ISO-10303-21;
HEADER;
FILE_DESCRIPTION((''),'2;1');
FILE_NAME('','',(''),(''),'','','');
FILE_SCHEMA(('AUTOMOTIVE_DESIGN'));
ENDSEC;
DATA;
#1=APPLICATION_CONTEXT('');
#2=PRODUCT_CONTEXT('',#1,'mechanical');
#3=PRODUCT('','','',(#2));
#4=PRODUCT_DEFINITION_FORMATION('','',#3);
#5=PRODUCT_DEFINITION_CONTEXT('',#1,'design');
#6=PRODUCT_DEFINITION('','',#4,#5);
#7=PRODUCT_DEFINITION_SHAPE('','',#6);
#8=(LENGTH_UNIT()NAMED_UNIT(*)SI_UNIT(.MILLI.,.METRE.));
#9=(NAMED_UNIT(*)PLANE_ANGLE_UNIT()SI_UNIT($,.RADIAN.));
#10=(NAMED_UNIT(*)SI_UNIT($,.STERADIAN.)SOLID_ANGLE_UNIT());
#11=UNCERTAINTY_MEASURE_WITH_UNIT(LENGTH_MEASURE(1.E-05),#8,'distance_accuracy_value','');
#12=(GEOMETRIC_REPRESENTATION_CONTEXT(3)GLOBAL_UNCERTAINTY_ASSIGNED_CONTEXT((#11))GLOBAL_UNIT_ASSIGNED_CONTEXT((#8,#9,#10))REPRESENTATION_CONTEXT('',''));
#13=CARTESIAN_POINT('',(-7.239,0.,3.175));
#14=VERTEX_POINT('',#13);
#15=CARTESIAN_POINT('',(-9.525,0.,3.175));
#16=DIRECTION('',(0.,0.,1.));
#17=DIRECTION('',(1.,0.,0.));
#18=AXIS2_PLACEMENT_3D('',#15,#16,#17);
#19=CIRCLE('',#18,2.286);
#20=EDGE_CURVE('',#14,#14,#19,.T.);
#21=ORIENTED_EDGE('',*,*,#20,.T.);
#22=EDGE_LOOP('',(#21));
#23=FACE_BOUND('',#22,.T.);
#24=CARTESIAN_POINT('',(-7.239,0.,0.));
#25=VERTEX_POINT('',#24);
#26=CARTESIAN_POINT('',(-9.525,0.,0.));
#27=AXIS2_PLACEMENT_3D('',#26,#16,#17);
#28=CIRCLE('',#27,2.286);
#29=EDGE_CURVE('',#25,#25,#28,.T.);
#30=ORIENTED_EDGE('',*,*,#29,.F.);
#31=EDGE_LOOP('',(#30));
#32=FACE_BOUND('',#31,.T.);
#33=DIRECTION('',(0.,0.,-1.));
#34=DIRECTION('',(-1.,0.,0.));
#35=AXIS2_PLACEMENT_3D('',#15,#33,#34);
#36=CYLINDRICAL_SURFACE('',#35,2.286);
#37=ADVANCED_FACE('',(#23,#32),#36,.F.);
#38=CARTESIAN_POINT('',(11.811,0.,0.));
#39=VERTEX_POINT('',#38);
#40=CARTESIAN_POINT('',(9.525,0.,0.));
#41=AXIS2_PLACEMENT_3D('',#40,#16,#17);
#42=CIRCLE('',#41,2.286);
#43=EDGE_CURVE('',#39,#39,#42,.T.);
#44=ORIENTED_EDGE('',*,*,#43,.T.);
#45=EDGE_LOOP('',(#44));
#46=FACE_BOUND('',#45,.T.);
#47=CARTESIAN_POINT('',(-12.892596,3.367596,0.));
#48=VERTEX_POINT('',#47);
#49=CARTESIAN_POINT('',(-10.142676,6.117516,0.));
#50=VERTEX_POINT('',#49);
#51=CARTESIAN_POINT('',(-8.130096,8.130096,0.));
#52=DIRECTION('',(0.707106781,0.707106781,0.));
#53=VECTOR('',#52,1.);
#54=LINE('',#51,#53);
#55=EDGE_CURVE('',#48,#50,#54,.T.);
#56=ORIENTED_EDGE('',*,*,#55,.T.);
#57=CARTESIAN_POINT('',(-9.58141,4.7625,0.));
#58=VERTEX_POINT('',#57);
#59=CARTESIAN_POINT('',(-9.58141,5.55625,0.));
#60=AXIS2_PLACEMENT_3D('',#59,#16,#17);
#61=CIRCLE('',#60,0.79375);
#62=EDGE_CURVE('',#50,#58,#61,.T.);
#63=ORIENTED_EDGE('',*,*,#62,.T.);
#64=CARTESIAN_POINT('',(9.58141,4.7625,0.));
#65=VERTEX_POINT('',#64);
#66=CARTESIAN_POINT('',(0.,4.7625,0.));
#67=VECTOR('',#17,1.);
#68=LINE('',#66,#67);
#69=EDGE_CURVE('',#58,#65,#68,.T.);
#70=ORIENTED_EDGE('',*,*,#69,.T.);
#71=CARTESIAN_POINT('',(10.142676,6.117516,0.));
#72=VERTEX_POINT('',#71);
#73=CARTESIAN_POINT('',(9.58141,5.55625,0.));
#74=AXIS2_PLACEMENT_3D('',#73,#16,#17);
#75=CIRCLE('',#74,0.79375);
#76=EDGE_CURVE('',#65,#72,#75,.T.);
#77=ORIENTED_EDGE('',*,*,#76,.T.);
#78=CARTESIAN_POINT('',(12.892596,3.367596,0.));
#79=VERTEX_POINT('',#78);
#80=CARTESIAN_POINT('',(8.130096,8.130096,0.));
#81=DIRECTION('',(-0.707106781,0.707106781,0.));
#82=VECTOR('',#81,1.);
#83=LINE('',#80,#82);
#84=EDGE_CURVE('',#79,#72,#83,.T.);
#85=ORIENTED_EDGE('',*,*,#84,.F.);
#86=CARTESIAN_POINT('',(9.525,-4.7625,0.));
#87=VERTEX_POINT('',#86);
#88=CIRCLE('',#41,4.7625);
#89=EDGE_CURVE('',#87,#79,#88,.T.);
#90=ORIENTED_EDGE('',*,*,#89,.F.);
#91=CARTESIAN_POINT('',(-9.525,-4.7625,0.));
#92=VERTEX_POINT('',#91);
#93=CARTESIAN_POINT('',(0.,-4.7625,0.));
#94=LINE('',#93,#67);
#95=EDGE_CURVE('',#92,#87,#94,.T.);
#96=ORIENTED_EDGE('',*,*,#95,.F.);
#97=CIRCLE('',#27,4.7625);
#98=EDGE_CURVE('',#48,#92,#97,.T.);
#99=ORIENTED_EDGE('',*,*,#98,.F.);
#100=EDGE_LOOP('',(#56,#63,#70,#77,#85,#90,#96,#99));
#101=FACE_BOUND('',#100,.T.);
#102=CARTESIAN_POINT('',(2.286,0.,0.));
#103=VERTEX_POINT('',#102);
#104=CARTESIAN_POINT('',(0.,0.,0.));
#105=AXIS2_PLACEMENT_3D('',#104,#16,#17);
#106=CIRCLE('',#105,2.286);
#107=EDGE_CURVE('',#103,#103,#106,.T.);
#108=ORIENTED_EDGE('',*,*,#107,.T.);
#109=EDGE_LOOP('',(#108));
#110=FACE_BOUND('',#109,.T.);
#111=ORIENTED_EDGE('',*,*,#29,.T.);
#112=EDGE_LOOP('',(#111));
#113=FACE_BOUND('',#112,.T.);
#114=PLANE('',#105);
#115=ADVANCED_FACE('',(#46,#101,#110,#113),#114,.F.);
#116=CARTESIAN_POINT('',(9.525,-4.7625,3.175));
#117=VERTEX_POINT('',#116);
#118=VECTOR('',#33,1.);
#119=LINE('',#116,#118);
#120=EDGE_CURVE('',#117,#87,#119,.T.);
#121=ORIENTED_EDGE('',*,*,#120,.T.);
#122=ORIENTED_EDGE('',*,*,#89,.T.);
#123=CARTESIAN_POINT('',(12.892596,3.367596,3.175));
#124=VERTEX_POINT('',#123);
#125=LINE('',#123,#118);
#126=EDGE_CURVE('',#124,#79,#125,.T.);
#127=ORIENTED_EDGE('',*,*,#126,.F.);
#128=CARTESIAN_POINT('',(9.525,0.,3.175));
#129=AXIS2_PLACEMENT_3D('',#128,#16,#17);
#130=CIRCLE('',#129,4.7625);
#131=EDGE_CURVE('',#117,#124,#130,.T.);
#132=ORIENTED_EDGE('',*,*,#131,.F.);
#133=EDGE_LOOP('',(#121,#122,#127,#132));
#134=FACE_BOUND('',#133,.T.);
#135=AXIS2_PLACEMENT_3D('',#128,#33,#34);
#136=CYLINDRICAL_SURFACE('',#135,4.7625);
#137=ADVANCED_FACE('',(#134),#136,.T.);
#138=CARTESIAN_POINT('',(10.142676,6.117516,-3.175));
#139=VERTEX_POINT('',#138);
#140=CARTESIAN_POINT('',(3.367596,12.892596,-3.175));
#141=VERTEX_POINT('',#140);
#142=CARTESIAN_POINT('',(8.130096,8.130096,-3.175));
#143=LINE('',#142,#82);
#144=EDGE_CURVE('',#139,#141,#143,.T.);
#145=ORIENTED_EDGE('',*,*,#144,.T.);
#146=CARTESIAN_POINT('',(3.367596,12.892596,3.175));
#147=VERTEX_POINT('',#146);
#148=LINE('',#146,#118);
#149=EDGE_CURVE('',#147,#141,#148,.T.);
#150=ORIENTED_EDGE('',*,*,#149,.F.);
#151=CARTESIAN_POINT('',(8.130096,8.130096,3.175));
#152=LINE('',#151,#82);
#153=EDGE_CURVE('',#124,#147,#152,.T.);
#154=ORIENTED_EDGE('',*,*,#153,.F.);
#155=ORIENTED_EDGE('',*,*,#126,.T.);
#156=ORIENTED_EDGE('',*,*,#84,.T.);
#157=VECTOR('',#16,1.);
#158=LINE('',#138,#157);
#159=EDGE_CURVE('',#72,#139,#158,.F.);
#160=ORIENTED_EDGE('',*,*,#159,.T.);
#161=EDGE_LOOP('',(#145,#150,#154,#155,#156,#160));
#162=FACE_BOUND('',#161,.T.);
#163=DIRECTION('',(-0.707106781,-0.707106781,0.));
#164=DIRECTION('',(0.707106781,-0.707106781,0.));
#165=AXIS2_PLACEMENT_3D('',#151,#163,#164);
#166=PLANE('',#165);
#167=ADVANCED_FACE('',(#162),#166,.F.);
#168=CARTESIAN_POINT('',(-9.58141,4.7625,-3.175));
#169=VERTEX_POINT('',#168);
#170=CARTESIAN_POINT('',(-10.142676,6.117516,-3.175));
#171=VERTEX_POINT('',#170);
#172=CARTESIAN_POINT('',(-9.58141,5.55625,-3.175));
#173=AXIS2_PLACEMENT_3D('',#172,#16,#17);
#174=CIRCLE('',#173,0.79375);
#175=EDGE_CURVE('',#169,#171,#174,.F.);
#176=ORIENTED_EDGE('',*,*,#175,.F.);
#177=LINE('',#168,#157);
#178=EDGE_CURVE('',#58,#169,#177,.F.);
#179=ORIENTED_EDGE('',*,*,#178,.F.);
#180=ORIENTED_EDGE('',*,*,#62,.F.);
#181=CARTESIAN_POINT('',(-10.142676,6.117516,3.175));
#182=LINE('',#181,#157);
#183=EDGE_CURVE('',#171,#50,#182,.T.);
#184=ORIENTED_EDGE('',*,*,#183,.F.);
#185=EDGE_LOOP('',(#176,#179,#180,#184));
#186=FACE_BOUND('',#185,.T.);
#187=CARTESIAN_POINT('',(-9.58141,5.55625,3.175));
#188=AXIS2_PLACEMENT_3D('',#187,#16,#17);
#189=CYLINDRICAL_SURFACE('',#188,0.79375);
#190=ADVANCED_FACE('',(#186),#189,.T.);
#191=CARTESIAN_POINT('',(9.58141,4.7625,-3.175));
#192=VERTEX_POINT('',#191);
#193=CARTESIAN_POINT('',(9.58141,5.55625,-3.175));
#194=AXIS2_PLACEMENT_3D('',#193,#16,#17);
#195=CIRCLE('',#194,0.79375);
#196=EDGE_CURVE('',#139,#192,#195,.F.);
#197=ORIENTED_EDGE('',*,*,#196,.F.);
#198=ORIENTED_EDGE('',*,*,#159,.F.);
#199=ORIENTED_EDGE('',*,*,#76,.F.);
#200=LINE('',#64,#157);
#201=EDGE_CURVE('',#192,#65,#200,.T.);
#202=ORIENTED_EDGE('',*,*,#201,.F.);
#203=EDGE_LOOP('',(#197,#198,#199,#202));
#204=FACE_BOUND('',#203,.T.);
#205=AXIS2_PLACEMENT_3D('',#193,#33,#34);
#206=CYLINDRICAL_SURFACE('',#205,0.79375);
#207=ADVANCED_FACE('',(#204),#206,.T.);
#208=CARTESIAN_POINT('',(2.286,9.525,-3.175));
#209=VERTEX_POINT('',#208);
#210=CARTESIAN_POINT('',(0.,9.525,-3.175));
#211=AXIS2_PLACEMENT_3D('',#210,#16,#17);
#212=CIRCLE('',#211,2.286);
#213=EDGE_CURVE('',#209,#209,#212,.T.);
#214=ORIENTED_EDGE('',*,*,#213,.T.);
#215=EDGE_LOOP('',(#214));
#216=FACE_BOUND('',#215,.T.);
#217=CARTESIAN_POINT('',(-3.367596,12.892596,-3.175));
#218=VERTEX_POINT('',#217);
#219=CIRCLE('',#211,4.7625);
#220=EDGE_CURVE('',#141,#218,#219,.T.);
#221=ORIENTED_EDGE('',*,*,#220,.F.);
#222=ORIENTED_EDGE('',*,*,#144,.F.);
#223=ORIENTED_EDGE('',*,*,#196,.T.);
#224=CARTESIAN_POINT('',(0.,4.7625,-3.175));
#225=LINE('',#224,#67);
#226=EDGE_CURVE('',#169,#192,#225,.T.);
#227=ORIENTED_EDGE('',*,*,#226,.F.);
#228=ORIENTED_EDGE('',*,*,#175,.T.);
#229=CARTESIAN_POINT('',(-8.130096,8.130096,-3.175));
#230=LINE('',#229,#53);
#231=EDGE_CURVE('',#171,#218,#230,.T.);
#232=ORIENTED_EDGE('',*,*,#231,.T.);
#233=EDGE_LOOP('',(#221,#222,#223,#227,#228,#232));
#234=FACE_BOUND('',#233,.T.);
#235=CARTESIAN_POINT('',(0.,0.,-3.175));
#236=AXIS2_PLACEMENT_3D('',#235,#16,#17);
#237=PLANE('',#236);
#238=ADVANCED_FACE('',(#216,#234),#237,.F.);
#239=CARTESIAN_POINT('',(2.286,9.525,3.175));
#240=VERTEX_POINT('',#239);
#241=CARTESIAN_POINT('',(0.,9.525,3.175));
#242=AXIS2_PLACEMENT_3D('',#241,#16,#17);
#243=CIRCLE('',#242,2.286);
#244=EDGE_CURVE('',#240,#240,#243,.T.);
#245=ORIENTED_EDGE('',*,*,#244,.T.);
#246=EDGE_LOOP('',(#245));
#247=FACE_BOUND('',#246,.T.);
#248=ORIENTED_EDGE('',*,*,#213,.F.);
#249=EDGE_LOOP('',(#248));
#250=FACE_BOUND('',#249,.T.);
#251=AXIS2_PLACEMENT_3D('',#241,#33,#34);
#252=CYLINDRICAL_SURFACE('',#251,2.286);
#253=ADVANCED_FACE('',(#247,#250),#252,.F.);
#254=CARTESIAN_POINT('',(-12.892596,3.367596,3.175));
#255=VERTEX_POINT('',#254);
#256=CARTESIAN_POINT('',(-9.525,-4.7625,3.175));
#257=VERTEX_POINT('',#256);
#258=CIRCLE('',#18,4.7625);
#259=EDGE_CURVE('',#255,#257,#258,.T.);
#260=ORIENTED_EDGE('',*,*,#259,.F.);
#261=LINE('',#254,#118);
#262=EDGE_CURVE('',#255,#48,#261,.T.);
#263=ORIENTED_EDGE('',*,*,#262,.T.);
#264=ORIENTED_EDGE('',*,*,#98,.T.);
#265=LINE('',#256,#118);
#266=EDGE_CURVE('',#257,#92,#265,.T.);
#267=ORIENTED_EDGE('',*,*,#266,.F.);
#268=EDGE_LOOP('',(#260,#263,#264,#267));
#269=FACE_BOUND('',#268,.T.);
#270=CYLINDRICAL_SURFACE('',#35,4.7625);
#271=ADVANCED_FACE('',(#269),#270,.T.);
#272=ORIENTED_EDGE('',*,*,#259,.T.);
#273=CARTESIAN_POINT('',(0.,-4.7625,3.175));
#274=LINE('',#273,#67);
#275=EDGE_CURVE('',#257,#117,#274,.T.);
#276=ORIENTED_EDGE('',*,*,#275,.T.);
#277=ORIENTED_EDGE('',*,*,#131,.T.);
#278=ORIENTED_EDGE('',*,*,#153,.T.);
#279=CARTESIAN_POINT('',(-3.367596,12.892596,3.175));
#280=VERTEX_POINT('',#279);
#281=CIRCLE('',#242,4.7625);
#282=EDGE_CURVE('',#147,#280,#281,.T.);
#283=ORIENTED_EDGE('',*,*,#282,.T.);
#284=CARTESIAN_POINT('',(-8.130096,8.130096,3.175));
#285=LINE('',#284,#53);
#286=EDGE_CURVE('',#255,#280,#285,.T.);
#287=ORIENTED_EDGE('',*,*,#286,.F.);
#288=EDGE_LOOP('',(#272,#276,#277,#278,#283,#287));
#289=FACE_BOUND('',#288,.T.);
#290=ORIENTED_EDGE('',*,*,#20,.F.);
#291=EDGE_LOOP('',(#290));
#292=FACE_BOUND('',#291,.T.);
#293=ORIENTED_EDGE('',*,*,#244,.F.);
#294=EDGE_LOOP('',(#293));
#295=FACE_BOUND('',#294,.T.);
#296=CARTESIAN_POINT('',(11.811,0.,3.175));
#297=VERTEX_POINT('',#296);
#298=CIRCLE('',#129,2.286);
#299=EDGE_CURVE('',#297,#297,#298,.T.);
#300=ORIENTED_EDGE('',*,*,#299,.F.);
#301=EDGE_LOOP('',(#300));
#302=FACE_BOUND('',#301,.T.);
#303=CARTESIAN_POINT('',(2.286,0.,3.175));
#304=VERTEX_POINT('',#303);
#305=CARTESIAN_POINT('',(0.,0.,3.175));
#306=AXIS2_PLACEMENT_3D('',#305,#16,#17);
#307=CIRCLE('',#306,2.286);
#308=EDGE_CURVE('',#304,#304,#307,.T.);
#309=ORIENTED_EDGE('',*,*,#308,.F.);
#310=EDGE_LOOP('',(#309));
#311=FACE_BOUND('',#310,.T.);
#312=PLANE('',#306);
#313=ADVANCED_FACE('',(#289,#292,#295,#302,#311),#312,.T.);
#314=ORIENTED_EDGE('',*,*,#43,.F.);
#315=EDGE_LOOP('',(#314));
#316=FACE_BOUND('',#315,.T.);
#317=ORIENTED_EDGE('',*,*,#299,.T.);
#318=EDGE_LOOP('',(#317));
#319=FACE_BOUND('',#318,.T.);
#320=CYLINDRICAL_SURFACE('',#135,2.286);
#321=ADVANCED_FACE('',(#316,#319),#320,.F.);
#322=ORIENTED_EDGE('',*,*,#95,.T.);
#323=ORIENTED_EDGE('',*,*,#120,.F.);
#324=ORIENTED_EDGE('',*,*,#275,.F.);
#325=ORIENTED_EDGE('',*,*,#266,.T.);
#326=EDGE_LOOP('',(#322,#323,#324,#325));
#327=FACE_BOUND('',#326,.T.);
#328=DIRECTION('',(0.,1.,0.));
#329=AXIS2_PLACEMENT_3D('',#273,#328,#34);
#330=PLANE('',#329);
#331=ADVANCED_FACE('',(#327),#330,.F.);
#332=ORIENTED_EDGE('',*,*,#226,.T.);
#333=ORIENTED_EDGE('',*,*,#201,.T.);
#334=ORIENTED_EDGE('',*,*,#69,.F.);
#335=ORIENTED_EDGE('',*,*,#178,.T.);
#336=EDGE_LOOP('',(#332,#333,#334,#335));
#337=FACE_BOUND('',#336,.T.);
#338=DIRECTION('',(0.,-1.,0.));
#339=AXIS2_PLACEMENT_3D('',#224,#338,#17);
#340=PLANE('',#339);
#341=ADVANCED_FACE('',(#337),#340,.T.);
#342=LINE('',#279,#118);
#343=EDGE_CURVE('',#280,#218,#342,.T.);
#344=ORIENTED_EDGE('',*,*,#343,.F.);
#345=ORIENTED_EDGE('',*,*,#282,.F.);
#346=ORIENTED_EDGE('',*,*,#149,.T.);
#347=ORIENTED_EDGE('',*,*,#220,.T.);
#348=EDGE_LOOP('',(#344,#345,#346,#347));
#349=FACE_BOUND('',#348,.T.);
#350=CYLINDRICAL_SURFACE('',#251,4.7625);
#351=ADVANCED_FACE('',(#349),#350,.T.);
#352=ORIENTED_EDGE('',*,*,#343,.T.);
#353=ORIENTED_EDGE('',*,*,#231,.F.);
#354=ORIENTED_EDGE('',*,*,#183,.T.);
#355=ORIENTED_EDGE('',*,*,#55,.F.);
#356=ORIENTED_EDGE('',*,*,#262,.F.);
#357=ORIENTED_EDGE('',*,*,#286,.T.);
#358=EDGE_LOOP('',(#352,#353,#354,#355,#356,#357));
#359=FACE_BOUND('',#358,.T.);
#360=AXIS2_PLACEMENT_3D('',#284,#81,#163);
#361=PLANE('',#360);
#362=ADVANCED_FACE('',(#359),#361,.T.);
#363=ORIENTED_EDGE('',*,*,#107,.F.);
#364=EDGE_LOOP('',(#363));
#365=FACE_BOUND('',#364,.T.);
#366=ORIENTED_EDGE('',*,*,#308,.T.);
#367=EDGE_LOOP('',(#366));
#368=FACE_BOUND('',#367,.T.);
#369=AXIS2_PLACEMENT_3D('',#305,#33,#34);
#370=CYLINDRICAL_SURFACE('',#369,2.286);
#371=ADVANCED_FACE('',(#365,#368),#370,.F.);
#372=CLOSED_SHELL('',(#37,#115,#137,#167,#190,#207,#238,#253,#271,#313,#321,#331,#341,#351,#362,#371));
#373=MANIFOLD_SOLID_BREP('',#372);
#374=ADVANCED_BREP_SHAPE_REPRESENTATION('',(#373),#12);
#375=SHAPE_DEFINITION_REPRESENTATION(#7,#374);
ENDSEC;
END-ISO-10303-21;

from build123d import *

# Parameters (mm, degrees)
SKETCH1_R           = 2.286
SKETCH1_R_2         = 2.2859999999999996
BOSS_EXTRUDE1_DEPTH = 3.175
BOSS_EXTRUDE2_START = -3.175
SKETCH1_4_R         = 2.2859999999999996
BOSS_EXTRUDE2_DEPTH = 3.175
FILLET1_R           = 0.79375


with BuildPart() as part:
    # Sketch1 → Boss-Extrude1 (new body)
    with BuildSketch(Plane.XY):
        with BuildLine():
            ThreePointArc((-12.89259604540093, 3.3675960454009317), (-13.924976273585003, -1.82252984663874), (-9.524999999999999, -4.762500000000001))
            Line((-9.525, -4.7625), (9.525, -4.762499999999998))
            ThreePointArc((9.525, -4.762499999999998), (13.924976273585004, -1.8225298466387378), (12.892596045400932, 3.3675960454009357))
            Line((12.892596045400932, 3.3675960454009357), (3.3675960454009335, 12.892596045400932))
            ThreePointArc((3.3675960454009344, 12.892596045400932), (2.66e-15, 14.287499999999998), (-3.367596045400929, 12.892596045400932))
            Line((-3.367596045400929, 12.892596045400932), (-12.892596045400932, 3.3675960454009317))
        make_face()
        with Locations((-9.525, 0)):
            Circle(SKETCH1_R, mode=Mode.SUBTRACT)
        Circle(SKETCH1_R, mode=Mode.SUBTRACT)
        with Locations((9.525, 3.5e-15)):
            Circle(SKETCH1_R, mode=Mode.SUBTRACT)
        with Locations((2.6e-15, 9.525)):
            Circle(SKETCH1_R_2, mode=Mode.SUBTRACT)
    extrude(amount=BOSS_EXTRUDE1_DEPTH)

    # Sketch1<4> → Boss-Extrude2 (add)
    with BuildSketch(Plane.XY.offset(BOSS_EXTRUDE2_START)):
        with BuildLine():
            Line((-3.367596045400928, 12.892596045400932), (-11.49769209080186, 4.762500000000003))
            Line((-11.49769209080186, 4.762500000000004), (11.497692090801866, 4.762500000000003))
            Line((11.497692090801866, 4.762500000000002), (3.3675960454009335, 12.892596045400932))
            ThreePointArc((3.3675960454009344, 12.892596045400932), (2.66e-15, 14.287499999999998), (-3.367596045400929, 12.892596045400932))
        make_face()
        with Locations((2.6e-15, 9.525)):
            Circle(SKETCH1_4_R, mode=Mode.SUBTRACT)
    extrude(amount=BOSS_EXTRUDE2_DEPTH)

    # Fillet1
    fillet1_edges = [part.edges().sort_by_distance(p)[0] for p in [
        (-11.49769209080186, 4.762500000000003, -1.5875),
        (11.497692090801866, 4.762500000000003, -1.5875),
    ]]
    fillet(fillet1_edges, radius=FILLET1_R)


solid = part.part
